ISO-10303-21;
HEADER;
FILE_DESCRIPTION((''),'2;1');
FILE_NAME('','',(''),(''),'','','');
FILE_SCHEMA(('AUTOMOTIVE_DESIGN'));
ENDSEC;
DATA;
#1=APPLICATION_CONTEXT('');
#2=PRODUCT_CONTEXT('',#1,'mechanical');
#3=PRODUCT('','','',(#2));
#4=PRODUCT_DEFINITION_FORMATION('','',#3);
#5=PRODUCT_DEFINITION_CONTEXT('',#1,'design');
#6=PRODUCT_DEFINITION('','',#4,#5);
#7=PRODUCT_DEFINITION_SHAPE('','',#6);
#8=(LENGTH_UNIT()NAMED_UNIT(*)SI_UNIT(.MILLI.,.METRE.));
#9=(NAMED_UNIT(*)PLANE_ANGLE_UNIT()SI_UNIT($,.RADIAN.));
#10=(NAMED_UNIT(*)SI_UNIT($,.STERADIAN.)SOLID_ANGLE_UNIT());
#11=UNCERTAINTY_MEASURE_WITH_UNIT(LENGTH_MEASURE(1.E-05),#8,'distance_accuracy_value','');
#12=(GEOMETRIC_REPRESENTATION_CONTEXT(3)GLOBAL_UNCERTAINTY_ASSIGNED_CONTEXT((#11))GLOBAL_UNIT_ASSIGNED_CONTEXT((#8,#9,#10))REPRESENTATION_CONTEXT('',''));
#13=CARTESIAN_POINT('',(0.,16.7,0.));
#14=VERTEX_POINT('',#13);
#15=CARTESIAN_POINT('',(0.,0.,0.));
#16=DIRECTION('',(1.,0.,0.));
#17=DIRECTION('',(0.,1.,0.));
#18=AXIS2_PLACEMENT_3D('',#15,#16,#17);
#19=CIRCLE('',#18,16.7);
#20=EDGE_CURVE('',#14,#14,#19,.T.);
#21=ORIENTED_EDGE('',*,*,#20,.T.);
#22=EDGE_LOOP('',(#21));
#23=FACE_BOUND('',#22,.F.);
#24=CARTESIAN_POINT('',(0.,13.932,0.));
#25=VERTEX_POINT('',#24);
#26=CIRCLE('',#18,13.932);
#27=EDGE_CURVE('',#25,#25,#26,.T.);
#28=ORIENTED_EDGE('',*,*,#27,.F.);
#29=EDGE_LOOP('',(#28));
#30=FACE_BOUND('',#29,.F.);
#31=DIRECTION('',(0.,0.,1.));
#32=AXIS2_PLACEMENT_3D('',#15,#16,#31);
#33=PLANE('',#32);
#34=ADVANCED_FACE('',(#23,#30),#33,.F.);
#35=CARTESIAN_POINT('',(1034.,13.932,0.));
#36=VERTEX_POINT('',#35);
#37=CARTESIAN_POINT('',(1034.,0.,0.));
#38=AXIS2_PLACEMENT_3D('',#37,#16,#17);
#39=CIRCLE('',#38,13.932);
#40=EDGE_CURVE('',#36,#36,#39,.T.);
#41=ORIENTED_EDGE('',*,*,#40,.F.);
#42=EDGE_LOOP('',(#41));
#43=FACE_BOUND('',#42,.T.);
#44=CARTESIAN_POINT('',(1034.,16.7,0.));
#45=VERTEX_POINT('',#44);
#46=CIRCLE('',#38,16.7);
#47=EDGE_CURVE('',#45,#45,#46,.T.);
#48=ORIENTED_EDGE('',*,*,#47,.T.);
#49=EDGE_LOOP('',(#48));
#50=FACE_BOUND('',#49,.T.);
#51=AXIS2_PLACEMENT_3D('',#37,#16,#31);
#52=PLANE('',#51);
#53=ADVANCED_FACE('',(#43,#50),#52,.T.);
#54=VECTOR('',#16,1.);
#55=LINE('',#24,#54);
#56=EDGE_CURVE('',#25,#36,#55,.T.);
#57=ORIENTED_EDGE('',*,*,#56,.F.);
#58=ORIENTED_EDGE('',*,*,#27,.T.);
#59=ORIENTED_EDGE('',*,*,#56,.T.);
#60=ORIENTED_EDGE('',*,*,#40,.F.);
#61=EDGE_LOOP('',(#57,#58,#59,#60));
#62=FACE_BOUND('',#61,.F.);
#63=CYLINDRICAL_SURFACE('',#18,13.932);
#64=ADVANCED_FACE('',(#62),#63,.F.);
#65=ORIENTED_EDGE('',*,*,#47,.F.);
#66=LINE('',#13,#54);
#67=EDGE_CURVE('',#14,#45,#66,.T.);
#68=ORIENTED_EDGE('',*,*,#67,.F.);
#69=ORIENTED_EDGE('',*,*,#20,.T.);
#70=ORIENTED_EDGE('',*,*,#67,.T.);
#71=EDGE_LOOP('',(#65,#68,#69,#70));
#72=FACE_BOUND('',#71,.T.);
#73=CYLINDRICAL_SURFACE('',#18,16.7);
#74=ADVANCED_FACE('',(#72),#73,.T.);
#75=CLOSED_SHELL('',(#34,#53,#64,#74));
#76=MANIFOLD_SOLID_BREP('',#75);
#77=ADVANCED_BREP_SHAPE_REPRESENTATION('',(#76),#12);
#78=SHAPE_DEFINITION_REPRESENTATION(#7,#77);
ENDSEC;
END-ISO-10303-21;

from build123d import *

# Parameters (mm, degrees)
F1_R   = 16.7
F1_R_2 = 13.932


with BuildPart() as f2:
    # F2: sweep along a path in F0
    with BuildLine(Plane.XZ) as f2_path:
        Line((0, 0), (1034, 0))
    # F1 (on Right) → F2 (sweep)
    with BuildSketch(Plane.YZ):
        Circle(F1_R)
        Circle(F1_R_2, mode=Mode.SUBTRACT)
    sweep(path=f2_path.line)


solid = f2.part
